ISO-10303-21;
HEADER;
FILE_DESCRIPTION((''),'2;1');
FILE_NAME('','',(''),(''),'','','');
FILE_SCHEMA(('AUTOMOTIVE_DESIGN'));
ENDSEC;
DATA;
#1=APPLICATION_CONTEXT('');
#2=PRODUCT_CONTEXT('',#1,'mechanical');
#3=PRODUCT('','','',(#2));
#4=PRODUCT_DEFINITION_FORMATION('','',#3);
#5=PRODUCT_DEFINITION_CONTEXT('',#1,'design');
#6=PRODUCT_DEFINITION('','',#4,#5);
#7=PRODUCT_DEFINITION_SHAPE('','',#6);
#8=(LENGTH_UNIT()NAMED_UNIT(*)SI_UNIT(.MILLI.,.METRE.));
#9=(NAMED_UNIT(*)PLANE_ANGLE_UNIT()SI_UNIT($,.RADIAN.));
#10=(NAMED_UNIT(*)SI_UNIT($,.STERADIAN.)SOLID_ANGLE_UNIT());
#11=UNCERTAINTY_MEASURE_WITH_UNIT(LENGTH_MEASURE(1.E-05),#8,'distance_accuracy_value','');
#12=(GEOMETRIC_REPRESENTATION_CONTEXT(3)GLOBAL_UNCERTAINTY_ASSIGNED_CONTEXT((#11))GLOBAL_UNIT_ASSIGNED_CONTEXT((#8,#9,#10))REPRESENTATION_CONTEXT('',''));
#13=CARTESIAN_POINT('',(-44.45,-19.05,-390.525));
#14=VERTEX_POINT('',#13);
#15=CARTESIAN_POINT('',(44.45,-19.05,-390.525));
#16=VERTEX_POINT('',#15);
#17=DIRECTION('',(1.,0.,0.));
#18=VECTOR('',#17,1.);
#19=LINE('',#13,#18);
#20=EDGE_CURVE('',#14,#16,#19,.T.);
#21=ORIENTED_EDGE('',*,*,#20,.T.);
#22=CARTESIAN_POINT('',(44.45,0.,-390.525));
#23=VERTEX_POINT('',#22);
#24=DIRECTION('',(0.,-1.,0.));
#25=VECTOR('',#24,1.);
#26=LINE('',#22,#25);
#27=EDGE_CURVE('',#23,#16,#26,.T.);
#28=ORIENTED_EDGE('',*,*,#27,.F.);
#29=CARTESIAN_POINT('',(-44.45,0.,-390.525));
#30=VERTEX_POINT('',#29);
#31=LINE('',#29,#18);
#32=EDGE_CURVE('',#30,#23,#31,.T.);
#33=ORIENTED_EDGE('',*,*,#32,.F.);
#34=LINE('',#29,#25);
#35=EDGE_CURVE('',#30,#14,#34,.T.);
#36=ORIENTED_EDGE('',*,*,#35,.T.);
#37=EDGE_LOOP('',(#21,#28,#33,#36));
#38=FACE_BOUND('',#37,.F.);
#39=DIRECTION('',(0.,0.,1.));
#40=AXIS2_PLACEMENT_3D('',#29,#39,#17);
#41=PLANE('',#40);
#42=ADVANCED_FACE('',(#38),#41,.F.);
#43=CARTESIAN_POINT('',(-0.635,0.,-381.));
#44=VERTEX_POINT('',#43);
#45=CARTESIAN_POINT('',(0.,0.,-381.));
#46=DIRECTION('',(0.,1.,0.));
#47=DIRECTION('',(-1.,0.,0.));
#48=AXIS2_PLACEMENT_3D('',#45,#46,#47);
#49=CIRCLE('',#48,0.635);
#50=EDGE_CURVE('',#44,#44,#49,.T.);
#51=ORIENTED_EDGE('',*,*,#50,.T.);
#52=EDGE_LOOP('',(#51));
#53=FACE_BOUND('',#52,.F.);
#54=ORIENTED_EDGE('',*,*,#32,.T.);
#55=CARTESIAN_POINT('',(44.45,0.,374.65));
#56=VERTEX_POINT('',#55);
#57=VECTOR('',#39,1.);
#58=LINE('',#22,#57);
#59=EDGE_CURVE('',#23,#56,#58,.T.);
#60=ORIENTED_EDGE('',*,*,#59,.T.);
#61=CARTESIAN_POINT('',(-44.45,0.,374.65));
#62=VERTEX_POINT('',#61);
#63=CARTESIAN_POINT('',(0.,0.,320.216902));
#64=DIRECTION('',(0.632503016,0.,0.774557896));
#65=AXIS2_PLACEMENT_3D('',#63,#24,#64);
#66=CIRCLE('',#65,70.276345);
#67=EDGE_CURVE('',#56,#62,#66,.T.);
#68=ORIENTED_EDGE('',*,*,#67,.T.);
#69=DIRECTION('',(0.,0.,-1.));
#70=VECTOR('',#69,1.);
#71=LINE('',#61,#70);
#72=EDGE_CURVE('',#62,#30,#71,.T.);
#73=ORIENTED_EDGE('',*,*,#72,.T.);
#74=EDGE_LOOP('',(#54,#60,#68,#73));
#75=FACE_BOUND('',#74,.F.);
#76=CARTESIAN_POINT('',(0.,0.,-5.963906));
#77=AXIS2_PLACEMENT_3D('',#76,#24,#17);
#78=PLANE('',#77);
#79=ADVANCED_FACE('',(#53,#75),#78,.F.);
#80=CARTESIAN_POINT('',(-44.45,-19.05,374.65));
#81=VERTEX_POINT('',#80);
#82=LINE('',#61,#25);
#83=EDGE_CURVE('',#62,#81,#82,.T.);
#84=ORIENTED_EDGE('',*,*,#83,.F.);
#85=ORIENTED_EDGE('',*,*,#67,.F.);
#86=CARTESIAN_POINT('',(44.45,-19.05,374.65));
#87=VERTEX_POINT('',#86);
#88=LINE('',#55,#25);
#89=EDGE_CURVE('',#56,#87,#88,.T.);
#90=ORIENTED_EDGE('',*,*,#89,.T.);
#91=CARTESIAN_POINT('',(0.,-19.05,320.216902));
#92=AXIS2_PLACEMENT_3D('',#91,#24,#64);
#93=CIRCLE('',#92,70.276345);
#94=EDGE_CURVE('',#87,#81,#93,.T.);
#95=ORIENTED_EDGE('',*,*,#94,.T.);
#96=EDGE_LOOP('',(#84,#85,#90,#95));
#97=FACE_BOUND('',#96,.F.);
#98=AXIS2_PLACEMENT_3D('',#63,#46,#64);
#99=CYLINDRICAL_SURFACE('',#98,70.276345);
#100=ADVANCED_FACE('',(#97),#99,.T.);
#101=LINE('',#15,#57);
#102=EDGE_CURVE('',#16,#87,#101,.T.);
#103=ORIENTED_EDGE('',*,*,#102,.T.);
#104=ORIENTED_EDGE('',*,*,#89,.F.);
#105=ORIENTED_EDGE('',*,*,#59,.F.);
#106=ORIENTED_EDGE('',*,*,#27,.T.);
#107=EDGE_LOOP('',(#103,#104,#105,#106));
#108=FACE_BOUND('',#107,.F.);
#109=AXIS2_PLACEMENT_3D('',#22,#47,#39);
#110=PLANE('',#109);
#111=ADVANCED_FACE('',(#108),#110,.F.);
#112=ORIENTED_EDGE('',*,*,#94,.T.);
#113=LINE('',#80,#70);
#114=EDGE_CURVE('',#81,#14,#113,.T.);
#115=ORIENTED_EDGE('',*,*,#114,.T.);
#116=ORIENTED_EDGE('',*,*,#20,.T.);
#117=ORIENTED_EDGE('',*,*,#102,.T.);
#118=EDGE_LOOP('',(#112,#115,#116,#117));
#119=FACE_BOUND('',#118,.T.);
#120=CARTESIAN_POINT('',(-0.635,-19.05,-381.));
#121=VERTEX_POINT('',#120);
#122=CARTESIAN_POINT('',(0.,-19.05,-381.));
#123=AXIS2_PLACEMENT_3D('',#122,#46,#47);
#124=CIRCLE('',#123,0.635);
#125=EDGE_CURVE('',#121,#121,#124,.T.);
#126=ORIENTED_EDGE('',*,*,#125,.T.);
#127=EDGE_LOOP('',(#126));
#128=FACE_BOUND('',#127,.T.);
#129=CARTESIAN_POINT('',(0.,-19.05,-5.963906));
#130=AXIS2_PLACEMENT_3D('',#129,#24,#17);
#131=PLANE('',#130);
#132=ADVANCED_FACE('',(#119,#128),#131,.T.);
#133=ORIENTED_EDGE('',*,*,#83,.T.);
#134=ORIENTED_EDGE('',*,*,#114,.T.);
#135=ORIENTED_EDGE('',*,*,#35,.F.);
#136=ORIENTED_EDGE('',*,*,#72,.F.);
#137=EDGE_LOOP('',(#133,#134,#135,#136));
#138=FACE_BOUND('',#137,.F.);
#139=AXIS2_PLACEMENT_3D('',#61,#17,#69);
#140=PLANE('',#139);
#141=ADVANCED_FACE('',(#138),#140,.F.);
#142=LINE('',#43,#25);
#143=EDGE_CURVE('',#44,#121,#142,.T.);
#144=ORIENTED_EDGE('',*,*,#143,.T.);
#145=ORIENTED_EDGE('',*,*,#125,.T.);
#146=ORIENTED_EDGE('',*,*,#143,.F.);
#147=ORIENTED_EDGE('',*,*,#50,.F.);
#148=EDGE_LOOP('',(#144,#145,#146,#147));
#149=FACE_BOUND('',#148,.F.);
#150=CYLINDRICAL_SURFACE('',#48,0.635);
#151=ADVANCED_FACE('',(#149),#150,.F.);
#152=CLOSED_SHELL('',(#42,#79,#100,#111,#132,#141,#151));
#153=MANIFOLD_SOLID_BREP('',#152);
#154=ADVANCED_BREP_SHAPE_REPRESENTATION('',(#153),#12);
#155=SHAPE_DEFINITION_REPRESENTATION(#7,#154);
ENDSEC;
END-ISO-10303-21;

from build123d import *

# Parameters (mm, degrees)
F1_DEPTH = 19.05
F2_R     = 0.635
F3_DEPTH = 19.051


with BuildPart() as f1:
    # F0 (on Front) → F1 (new body)
    with BuildSketch(Plane.XZ):
        with BuildLine():
            Line((-44.45, 374.65), (-44.45, -390.525))
            Line((-44.45, -390.525), (44.45, -390.525))
            Line((44.45, -390.525), (44.45, 374.65))
            ThreePointArc((44.45, 374.65), (0, 390.493247), (-44.45, 374.65))
        make_face()
    extrude(amount=F1_DEPTH)

    # F2 (on face) → F3 (cut, through all)
    with BuildSketch(Plane(origin=(0, 0, 0), x_dir=(-1, 0, 0), z_dir=(0, 1, 0))):
        with Locations((0, -381)):
            Circle(F2_R)
    extrude(amount=-F3_DEPTH, mode=Mode.SUBTRACT)


solid = f1.part
